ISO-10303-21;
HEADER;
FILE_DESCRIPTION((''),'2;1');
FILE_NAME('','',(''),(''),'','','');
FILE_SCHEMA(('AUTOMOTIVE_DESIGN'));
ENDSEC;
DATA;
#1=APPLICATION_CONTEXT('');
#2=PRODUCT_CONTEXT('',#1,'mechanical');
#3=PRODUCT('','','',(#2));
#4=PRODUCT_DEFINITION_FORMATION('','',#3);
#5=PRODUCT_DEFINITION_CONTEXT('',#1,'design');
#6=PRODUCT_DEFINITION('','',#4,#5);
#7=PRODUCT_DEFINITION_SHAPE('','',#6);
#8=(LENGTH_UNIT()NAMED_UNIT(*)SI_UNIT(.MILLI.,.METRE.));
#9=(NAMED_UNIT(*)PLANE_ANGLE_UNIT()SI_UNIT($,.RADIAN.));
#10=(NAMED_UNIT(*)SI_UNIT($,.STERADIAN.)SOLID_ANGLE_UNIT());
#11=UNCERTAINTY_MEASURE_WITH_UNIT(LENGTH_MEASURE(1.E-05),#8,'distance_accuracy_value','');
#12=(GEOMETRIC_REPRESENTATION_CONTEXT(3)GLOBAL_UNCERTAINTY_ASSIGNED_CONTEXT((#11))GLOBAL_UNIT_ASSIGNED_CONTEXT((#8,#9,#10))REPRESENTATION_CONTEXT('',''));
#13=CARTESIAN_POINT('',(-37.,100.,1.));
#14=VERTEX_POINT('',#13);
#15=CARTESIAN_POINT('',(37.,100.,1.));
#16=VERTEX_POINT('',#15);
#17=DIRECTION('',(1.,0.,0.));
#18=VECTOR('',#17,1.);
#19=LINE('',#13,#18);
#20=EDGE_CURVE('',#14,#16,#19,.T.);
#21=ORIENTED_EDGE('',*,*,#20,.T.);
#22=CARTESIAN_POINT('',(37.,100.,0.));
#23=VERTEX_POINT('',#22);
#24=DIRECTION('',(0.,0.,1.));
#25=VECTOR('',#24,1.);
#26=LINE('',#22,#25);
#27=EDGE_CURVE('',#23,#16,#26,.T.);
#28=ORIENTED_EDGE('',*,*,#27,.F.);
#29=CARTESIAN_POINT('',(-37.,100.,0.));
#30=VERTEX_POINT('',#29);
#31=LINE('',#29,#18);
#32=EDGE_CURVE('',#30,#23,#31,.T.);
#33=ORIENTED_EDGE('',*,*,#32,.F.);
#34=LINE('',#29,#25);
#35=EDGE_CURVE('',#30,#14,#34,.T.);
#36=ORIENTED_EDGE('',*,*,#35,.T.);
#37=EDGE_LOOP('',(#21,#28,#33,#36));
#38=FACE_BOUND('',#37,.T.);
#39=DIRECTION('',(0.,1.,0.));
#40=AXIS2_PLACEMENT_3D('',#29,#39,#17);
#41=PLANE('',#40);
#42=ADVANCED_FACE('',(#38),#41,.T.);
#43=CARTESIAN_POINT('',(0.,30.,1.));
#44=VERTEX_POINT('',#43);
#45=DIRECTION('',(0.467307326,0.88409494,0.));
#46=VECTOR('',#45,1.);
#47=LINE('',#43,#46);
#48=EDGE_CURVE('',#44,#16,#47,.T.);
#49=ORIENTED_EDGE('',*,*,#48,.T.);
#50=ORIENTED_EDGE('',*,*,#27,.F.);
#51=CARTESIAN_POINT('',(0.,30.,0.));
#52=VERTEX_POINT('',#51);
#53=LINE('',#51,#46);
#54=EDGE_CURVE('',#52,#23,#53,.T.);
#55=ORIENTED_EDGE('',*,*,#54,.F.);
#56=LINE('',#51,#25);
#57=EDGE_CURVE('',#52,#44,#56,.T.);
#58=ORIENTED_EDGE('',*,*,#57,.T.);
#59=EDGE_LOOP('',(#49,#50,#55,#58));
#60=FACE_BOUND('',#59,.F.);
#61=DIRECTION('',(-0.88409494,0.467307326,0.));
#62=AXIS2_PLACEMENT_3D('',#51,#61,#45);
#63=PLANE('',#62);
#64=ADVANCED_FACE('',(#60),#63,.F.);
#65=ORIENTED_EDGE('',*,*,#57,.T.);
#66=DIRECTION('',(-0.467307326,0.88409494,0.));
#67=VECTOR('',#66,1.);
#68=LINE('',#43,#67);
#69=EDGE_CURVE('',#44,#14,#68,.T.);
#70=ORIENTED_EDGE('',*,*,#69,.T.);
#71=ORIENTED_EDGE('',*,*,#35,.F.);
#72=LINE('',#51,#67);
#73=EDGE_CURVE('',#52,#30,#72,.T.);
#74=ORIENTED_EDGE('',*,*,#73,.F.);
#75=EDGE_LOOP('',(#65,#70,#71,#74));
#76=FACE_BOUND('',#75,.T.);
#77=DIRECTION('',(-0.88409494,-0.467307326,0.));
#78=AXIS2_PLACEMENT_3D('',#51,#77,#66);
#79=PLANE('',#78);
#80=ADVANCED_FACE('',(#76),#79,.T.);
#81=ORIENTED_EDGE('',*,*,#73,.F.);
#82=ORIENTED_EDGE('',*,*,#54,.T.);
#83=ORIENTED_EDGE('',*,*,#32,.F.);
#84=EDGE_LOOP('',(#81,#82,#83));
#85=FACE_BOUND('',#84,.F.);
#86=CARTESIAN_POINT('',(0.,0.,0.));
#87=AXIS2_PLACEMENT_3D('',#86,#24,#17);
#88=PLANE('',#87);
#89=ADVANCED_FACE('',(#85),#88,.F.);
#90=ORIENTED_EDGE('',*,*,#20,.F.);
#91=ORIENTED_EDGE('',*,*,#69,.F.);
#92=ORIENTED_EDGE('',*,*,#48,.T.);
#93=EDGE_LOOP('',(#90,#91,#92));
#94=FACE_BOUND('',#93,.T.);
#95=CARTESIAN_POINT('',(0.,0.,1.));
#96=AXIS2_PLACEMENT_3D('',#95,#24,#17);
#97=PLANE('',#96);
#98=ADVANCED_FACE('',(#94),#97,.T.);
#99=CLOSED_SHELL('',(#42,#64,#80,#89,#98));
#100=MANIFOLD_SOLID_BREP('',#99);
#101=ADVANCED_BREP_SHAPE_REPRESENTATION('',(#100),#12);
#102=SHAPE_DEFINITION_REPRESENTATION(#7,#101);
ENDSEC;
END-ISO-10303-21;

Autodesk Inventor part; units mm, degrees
ref_plane "YZ Plane" through (0, 0, 0) normal (1, 0, 0) x (0, 1, 0)
ref_plane "XZ Plane" through (0, 0, 0) normal (0, 1, 0) x (-1, 0, 0)
ref_plane "XY Plane" through (0, 0, 0) normal (0, 0, 1) x (1, 0, 0)
sketch "スケッチ1" plane through (0, 0, 0) normal (0, 0, 1) x (1, 0, 0)
  line L0 (37, -100) -> (-37, -100)
  line L1 (-37, -100) -> (-37, 100)
  line L2 (-37, 100) -> (37, 100)
  line L3 (37, 100) -> (37, -100)
  line L4 (37, -100) -> (-37, 100) construction
  line L5 (-37, -100) -> (37, 100) construction
  line L6 (-37, 0) -> (37, 0) construction
  line L7 (37, 0) -> (0, 30)
  line L8 (0, 30) -> (-37, 0)
  line L9 (-37, 0) -> (0, -30)
  line L10 (0, -30) -> (37, 0)
  line L11 (0, 30) -> (0, -30)
  line L12 (0, 30) -> (-37, 100)
  line L13 (0, 30) -> (37, 100)
  line L14 (0, -30) -> (-37, -100)
  line L15 (0, -30) -> (37, -100)
  point P0 (0, 0)
  point P1 (0, 0)
  point P2 (0, 0)
  dimension "d0" = 74
  dimension "d1" = 200
  dimension "d2" = 60
extrude "押し出し1" add sketch "スケッチ1" along normal blind 1 contours L13 L12 L2
ref_plane "作業平面1" through (0, 30, 0) normal (1, 0, 0) x (0, 0, 1)
properties part number "origami03"
